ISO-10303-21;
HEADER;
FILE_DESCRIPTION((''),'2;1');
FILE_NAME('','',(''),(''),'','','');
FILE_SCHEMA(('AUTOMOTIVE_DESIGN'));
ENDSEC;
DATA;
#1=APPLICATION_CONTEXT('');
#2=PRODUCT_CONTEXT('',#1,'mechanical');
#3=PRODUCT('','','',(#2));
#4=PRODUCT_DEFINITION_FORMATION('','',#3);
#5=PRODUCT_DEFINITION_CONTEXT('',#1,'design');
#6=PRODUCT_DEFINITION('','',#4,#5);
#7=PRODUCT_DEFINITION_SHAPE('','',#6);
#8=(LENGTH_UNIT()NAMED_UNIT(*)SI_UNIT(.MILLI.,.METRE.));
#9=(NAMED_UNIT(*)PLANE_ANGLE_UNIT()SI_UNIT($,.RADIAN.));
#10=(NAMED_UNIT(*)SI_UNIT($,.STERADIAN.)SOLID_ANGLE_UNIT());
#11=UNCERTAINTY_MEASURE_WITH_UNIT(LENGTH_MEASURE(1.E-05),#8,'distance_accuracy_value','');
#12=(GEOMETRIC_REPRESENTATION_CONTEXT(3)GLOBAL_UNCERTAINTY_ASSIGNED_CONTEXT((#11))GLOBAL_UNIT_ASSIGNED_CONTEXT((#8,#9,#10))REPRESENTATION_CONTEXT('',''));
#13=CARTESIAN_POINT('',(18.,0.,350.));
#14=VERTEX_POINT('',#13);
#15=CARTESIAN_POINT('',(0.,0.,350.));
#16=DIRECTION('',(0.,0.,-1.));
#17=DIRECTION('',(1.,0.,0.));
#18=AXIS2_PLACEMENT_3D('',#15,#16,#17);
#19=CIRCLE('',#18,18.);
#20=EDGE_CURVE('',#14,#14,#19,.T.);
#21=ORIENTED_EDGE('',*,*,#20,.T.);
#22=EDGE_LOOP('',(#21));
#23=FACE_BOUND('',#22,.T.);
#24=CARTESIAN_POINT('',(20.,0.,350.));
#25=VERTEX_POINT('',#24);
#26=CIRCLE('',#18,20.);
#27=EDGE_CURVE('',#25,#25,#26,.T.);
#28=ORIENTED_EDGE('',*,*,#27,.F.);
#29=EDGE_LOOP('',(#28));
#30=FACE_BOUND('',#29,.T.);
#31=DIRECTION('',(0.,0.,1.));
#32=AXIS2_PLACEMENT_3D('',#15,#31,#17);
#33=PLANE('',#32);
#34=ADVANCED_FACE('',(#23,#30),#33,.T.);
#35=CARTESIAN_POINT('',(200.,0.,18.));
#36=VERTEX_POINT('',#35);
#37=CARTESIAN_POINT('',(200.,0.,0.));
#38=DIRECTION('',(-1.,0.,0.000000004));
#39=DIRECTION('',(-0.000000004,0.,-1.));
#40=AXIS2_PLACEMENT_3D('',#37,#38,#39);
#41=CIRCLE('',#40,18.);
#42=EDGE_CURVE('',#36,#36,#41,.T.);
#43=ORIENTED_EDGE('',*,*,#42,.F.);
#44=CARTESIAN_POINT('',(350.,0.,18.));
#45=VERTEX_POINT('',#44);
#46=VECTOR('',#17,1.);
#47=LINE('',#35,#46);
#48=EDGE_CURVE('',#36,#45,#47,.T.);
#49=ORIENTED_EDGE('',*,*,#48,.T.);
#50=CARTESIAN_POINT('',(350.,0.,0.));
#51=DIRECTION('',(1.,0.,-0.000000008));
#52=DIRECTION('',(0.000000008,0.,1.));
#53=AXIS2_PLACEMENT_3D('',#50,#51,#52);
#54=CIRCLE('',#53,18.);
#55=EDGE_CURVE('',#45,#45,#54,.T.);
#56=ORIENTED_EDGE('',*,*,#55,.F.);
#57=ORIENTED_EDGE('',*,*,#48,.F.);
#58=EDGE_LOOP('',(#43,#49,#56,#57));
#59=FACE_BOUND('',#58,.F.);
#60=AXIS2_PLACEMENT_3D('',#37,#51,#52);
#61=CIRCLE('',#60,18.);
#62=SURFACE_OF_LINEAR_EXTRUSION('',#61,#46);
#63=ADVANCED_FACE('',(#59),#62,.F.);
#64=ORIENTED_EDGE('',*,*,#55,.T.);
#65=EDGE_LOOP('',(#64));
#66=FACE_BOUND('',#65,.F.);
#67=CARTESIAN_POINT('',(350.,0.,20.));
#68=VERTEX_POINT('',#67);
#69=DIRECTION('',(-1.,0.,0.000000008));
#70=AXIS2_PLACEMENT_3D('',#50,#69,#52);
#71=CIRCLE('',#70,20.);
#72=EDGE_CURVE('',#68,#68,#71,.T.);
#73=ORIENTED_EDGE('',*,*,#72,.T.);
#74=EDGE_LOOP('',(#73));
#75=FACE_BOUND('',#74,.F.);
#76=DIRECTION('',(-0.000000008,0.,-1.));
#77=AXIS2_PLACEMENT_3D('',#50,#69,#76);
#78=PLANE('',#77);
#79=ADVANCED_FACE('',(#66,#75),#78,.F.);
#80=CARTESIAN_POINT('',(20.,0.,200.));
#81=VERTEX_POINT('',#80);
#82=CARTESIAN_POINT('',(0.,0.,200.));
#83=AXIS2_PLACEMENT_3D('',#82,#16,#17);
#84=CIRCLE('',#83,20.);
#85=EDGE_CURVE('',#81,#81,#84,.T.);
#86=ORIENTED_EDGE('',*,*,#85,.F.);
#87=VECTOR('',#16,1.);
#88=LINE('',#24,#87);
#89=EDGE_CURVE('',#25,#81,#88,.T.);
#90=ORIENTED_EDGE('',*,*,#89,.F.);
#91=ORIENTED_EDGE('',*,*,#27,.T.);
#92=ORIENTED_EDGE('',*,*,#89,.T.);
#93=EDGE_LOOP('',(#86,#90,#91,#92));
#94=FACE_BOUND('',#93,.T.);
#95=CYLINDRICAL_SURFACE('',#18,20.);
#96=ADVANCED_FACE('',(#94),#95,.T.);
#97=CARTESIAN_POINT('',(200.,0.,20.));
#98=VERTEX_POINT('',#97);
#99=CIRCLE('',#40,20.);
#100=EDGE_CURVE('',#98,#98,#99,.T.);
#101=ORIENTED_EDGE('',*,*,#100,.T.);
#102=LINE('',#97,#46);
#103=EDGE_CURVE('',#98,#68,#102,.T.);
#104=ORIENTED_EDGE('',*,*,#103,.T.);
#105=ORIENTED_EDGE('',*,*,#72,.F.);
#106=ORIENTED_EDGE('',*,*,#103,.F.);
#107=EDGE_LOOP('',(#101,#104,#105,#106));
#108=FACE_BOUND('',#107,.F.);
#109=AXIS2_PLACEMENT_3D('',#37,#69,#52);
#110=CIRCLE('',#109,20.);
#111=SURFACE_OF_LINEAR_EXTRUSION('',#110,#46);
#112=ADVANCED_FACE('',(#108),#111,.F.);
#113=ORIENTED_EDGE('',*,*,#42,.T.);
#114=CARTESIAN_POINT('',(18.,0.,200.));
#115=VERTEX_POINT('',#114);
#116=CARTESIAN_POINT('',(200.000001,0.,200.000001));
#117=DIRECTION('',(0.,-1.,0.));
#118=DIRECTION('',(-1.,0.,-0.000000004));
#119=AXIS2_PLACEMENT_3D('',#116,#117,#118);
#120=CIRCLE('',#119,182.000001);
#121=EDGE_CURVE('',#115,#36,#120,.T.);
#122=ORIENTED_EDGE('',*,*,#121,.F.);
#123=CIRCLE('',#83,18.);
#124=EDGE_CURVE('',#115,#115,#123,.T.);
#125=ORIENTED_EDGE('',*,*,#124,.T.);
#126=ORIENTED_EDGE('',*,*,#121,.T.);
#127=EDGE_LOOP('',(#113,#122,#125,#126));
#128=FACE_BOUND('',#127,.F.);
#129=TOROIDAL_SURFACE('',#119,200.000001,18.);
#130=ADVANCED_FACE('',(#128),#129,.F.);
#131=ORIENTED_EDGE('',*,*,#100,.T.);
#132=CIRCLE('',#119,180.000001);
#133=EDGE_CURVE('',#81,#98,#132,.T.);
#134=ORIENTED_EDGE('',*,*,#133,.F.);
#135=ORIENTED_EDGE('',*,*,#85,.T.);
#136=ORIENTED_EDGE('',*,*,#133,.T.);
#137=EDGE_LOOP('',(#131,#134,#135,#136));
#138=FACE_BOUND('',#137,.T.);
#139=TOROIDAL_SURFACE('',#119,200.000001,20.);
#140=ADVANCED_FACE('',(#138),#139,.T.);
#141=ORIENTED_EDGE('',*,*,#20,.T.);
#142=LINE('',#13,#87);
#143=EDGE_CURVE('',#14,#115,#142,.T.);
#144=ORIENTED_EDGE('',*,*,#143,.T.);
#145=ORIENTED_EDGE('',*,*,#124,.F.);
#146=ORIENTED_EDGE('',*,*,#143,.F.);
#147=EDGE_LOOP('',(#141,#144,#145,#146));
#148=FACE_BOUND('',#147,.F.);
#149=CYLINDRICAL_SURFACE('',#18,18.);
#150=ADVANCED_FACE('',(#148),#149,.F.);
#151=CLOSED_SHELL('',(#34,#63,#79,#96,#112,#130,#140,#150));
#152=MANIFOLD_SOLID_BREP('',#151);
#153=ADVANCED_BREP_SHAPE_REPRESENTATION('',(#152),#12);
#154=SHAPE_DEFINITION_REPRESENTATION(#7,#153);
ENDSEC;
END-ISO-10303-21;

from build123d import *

# Parameters (mm, degrees)
F2_R   = 20
F2_R_2 = 18


with BuildPart() as f3:
    # F3: sweep along a path in F0
    with BuildLine(Plane.XZ) as f3_path:
        Line((0, 350), (0, 200))
        ThreePointArc((0, 200), (58.578644, 58.578644), (200, 0))
        Line((200, 0), (350, 0))
    # F2 (on plane+point) → F3 (sweep)
    with BuildSketch(Plane.XY.offset(350)):
        Circle(F2_R)
        Circle(F2_R_2, mode=Mode.SUBTRACT)
    sweep(path=f3_path.line)


solid = f3.part
